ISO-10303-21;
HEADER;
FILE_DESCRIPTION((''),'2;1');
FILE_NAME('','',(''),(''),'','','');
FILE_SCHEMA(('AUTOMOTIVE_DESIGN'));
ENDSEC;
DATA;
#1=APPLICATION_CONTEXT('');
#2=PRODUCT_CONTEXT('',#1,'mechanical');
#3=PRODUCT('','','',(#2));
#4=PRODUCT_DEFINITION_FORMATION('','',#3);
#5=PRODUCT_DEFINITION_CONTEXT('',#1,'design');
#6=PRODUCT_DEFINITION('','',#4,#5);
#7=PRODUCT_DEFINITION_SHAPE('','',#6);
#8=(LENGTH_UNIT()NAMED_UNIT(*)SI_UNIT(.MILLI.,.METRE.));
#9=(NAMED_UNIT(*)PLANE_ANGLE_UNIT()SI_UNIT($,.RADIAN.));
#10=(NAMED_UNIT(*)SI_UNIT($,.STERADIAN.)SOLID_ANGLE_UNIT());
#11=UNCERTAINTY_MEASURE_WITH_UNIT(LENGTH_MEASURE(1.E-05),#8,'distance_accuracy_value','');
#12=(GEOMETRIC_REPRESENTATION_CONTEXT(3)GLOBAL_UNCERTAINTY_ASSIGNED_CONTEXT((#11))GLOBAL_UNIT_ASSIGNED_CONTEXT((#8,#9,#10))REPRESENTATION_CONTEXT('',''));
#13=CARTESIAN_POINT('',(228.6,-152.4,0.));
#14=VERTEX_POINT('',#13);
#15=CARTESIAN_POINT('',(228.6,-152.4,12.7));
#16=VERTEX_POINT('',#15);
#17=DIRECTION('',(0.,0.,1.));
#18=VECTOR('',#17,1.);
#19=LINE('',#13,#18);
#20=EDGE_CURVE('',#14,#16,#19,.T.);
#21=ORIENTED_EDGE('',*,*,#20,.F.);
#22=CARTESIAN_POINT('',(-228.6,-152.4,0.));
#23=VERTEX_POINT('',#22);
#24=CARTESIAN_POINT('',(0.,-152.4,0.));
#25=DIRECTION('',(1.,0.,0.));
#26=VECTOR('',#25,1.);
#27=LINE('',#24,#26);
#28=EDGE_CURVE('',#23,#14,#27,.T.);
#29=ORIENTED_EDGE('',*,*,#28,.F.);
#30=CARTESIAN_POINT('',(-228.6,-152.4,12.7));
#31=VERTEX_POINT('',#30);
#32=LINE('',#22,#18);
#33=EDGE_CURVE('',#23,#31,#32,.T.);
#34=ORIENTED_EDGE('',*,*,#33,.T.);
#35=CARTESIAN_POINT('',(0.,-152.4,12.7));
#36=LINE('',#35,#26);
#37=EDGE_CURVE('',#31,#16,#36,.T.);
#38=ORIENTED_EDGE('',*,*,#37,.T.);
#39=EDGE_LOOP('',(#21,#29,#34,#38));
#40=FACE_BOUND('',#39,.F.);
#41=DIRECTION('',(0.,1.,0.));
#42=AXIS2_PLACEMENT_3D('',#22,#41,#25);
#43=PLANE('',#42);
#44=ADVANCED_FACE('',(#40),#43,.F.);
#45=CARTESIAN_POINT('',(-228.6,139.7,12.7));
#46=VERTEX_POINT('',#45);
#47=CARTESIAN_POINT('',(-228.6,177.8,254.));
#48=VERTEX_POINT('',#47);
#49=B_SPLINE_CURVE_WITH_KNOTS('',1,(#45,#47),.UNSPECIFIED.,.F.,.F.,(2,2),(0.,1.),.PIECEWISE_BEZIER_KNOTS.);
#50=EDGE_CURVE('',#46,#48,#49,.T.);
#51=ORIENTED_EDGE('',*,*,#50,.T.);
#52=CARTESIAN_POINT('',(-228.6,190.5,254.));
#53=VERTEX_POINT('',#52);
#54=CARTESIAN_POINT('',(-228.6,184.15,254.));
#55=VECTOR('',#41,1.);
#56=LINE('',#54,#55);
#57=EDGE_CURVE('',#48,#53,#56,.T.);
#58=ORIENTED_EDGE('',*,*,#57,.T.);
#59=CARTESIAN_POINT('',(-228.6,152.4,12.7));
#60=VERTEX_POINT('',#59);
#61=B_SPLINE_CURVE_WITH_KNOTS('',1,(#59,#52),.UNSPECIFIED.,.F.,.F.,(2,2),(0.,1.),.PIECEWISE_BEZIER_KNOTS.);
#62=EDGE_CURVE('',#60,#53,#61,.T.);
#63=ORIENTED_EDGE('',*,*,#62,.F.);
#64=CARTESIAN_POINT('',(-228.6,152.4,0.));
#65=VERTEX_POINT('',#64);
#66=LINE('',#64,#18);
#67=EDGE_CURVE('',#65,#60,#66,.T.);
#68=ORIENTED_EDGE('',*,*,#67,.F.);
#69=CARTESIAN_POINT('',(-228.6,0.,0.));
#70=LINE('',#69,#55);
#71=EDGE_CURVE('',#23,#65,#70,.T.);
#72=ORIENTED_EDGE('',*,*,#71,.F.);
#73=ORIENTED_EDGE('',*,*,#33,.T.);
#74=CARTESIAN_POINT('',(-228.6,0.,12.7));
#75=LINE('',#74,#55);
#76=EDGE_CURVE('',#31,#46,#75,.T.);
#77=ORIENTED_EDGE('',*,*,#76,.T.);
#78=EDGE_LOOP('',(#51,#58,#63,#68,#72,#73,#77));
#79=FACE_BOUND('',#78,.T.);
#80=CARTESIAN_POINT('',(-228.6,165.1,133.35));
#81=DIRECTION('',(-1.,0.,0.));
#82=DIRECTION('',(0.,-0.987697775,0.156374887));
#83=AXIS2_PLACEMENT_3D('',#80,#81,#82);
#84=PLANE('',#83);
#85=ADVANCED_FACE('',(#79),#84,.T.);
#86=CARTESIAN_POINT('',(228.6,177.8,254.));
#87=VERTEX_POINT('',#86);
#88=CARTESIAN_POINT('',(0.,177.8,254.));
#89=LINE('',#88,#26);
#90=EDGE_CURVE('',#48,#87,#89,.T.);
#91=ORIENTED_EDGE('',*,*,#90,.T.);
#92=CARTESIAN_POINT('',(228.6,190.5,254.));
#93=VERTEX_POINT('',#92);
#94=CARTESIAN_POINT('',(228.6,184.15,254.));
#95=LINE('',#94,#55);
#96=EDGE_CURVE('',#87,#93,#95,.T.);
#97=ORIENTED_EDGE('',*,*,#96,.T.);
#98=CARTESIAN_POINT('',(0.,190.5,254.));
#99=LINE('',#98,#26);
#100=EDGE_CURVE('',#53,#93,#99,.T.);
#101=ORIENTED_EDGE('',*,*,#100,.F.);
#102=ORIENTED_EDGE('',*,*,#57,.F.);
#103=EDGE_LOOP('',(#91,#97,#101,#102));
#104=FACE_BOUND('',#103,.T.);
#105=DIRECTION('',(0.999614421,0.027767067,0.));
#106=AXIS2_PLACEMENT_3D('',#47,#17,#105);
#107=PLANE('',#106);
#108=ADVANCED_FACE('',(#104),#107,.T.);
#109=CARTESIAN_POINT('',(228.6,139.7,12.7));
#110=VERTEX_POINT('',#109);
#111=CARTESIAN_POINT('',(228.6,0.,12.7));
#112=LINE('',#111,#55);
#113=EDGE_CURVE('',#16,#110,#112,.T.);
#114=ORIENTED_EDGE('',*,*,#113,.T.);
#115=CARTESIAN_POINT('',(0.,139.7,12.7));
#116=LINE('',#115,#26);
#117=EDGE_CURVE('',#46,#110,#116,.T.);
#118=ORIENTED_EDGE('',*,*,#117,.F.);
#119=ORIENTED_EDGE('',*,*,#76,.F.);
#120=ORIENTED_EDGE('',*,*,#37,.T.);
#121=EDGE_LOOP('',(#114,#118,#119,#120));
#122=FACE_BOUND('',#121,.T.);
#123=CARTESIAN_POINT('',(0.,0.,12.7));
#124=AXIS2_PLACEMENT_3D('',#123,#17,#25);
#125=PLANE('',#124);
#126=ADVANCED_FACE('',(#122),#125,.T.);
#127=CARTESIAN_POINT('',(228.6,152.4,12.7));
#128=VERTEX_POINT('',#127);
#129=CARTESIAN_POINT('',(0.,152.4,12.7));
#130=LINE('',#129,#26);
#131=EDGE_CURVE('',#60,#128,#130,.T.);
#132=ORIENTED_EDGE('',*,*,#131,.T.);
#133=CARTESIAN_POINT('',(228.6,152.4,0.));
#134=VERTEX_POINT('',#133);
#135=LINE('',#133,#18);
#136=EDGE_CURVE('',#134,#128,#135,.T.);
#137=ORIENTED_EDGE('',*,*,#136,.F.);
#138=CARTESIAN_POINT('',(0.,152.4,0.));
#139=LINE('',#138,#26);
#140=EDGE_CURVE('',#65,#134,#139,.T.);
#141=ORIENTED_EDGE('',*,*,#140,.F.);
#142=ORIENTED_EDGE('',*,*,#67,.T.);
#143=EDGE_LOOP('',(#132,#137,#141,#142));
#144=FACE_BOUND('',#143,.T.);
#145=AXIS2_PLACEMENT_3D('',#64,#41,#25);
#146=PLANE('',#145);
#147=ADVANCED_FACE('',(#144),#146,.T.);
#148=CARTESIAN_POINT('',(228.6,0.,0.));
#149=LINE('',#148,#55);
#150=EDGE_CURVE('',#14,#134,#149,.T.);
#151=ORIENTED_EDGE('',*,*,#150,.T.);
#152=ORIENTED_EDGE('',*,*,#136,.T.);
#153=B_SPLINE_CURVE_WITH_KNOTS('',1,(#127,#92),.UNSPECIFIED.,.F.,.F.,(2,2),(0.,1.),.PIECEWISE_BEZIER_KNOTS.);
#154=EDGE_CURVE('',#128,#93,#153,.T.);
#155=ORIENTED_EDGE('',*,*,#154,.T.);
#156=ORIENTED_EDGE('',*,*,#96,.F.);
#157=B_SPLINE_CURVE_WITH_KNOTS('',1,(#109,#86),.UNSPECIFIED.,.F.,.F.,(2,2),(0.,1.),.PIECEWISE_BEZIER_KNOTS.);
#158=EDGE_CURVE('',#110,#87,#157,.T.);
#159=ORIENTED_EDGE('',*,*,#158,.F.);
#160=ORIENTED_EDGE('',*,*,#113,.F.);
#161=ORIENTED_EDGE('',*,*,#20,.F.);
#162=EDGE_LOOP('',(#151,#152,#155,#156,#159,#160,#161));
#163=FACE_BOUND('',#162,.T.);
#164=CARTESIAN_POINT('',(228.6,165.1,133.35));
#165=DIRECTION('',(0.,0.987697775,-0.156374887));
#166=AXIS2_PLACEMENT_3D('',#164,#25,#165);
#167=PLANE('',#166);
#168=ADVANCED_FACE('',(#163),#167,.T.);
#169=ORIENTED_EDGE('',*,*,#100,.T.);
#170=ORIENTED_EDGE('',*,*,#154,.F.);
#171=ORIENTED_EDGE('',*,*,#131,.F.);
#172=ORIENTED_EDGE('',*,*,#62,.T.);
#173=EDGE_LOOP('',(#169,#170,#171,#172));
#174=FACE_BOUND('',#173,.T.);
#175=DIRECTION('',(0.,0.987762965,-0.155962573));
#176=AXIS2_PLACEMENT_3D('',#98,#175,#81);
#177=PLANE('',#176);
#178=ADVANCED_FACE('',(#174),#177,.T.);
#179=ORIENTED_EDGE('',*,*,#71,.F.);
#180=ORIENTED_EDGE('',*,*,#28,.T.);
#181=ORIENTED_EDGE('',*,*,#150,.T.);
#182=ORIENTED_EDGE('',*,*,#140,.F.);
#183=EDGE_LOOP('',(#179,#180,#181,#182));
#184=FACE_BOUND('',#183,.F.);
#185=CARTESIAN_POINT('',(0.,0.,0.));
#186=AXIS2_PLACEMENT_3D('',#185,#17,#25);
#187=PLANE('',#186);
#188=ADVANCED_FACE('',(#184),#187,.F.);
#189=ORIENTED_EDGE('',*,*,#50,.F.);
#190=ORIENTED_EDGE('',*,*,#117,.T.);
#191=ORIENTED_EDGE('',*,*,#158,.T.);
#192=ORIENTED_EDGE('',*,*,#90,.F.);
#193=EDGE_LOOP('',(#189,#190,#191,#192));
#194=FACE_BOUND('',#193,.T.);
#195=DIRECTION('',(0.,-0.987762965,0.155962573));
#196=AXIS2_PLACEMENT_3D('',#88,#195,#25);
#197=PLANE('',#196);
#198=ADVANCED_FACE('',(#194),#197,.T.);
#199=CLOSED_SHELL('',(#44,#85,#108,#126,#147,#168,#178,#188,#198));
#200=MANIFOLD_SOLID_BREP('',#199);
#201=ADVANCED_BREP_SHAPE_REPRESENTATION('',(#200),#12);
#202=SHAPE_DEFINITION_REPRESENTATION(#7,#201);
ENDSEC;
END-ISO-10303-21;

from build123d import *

# Parameters (mm, degrees)
F0_W     = 457.2
F0_H     = 304.8
F1_DEPTH = 12.7
F2_W     = 457.2
F2_H     = 12.7
F4_W     = 457.2
F4_H     = 12.7


with BuildPart() as f1:
    # F0 (on Top) → F1 (new body)
    with BuildSketch(Plane.XY):
        Rectangle(F0_W, F0_H)
    extrude(amount=F1_DEPTH)

    # F2 (on face) → F5 section 0
    with BuildSketch(Plane.XY.offset(12.7)):
        with Locations((0, 146.05)):
            Rectangle(F2_W, F2_H)
    # F4 (on offset) → F5 section 1
    with BuildSketch(Plane.XY.offset(254)):
        with Locations((0, 184.15)):
            Rectangle(F4_W, F4_H)
    loft()


solid = f1.part
